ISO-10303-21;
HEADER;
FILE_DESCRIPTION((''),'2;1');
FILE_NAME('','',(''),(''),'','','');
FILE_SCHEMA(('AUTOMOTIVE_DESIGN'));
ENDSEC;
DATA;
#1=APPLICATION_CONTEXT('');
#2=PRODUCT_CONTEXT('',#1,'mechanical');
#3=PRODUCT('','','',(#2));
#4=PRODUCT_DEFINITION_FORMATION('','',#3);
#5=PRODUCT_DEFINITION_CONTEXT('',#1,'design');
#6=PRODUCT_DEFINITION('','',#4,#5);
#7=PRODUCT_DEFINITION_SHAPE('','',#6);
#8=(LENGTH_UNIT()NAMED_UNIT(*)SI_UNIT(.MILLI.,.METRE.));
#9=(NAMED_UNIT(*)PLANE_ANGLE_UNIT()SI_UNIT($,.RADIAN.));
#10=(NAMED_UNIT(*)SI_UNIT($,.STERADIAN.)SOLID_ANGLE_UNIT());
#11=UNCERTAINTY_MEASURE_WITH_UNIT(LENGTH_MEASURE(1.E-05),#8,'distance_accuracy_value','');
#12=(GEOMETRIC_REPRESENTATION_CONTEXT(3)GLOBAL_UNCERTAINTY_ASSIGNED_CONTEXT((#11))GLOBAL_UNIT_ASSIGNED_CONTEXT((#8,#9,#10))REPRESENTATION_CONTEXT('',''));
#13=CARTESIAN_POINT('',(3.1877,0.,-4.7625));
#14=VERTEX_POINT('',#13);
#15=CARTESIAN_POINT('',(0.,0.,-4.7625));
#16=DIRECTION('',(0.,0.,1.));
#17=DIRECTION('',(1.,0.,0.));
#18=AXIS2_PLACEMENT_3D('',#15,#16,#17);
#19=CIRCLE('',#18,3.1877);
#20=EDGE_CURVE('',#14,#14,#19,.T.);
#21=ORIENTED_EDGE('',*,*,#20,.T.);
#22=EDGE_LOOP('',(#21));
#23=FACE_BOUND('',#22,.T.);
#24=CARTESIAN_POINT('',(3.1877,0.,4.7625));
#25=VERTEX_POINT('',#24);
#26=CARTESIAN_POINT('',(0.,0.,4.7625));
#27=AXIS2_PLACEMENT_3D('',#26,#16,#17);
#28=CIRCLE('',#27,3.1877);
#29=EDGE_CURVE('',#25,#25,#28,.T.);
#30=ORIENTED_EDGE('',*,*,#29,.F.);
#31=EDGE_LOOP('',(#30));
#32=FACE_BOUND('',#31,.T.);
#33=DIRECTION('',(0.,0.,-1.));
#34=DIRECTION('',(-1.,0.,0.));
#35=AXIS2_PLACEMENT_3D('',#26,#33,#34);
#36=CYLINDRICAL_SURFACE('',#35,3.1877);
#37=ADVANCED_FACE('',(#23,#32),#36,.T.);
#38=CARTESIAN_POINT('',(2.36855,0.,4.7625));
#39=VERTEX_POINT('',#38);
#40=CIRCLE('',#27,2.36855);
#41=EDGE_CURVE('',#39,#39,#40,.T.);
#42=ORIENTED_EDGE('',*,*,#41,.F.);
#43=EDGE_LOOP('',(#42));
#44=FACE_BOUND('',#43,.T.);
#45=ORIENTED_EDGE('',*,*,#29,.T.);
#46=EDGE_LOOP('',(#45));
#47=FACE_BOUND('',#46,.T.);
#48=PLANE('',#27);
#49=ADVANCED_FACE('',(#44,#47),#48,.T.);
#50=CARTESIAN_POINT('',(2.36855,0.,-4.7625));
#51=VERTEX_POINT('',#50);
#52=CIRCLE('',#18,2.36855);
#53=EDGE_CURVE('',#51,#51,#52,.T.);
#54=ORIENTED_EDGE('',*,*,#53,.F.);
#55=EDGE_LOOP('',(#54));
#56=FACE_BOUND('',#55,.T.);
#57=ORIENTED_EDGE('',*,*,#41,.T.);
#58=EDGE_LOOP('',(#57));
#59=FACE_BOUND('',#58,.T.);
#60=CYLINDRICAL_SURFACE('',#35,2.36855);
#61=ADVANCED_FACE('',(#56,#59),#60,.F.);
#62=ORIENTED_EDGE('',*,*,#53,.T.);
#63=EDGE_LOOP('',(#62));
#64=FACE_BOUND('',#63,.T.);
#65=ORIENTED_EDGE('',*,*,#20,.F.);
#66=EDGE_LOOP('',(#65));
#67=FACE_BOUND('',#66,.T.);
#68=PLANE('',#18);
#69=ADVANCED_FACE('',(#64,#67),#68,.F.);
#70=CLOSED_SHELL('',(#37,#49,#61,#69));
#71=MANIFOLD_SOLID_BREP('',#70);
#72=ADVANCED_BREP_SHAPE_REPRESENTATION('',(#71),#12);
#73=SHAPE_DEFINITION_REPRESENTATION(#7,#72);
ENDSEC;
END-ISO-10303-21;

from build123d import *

# Parameters (mm, degrees)
SKETCH1_R      = 3.1877
SKETCH1_R_2    = 2.36855
EXTRUDE1_DEPTH = 4.7625


with BuildPart() as part:
    # Sketch1 → Extrude1 (new body, symmetric)
    with BuildSketch(Plane.XY):
        Circle(SKETCH1_R)
        Circle(SKETCH1_R_2, mode=Mode.SUBTRACT)
    extrude(amount=EXTRUDE1_DEPTH, both=True)


solid = part.part
